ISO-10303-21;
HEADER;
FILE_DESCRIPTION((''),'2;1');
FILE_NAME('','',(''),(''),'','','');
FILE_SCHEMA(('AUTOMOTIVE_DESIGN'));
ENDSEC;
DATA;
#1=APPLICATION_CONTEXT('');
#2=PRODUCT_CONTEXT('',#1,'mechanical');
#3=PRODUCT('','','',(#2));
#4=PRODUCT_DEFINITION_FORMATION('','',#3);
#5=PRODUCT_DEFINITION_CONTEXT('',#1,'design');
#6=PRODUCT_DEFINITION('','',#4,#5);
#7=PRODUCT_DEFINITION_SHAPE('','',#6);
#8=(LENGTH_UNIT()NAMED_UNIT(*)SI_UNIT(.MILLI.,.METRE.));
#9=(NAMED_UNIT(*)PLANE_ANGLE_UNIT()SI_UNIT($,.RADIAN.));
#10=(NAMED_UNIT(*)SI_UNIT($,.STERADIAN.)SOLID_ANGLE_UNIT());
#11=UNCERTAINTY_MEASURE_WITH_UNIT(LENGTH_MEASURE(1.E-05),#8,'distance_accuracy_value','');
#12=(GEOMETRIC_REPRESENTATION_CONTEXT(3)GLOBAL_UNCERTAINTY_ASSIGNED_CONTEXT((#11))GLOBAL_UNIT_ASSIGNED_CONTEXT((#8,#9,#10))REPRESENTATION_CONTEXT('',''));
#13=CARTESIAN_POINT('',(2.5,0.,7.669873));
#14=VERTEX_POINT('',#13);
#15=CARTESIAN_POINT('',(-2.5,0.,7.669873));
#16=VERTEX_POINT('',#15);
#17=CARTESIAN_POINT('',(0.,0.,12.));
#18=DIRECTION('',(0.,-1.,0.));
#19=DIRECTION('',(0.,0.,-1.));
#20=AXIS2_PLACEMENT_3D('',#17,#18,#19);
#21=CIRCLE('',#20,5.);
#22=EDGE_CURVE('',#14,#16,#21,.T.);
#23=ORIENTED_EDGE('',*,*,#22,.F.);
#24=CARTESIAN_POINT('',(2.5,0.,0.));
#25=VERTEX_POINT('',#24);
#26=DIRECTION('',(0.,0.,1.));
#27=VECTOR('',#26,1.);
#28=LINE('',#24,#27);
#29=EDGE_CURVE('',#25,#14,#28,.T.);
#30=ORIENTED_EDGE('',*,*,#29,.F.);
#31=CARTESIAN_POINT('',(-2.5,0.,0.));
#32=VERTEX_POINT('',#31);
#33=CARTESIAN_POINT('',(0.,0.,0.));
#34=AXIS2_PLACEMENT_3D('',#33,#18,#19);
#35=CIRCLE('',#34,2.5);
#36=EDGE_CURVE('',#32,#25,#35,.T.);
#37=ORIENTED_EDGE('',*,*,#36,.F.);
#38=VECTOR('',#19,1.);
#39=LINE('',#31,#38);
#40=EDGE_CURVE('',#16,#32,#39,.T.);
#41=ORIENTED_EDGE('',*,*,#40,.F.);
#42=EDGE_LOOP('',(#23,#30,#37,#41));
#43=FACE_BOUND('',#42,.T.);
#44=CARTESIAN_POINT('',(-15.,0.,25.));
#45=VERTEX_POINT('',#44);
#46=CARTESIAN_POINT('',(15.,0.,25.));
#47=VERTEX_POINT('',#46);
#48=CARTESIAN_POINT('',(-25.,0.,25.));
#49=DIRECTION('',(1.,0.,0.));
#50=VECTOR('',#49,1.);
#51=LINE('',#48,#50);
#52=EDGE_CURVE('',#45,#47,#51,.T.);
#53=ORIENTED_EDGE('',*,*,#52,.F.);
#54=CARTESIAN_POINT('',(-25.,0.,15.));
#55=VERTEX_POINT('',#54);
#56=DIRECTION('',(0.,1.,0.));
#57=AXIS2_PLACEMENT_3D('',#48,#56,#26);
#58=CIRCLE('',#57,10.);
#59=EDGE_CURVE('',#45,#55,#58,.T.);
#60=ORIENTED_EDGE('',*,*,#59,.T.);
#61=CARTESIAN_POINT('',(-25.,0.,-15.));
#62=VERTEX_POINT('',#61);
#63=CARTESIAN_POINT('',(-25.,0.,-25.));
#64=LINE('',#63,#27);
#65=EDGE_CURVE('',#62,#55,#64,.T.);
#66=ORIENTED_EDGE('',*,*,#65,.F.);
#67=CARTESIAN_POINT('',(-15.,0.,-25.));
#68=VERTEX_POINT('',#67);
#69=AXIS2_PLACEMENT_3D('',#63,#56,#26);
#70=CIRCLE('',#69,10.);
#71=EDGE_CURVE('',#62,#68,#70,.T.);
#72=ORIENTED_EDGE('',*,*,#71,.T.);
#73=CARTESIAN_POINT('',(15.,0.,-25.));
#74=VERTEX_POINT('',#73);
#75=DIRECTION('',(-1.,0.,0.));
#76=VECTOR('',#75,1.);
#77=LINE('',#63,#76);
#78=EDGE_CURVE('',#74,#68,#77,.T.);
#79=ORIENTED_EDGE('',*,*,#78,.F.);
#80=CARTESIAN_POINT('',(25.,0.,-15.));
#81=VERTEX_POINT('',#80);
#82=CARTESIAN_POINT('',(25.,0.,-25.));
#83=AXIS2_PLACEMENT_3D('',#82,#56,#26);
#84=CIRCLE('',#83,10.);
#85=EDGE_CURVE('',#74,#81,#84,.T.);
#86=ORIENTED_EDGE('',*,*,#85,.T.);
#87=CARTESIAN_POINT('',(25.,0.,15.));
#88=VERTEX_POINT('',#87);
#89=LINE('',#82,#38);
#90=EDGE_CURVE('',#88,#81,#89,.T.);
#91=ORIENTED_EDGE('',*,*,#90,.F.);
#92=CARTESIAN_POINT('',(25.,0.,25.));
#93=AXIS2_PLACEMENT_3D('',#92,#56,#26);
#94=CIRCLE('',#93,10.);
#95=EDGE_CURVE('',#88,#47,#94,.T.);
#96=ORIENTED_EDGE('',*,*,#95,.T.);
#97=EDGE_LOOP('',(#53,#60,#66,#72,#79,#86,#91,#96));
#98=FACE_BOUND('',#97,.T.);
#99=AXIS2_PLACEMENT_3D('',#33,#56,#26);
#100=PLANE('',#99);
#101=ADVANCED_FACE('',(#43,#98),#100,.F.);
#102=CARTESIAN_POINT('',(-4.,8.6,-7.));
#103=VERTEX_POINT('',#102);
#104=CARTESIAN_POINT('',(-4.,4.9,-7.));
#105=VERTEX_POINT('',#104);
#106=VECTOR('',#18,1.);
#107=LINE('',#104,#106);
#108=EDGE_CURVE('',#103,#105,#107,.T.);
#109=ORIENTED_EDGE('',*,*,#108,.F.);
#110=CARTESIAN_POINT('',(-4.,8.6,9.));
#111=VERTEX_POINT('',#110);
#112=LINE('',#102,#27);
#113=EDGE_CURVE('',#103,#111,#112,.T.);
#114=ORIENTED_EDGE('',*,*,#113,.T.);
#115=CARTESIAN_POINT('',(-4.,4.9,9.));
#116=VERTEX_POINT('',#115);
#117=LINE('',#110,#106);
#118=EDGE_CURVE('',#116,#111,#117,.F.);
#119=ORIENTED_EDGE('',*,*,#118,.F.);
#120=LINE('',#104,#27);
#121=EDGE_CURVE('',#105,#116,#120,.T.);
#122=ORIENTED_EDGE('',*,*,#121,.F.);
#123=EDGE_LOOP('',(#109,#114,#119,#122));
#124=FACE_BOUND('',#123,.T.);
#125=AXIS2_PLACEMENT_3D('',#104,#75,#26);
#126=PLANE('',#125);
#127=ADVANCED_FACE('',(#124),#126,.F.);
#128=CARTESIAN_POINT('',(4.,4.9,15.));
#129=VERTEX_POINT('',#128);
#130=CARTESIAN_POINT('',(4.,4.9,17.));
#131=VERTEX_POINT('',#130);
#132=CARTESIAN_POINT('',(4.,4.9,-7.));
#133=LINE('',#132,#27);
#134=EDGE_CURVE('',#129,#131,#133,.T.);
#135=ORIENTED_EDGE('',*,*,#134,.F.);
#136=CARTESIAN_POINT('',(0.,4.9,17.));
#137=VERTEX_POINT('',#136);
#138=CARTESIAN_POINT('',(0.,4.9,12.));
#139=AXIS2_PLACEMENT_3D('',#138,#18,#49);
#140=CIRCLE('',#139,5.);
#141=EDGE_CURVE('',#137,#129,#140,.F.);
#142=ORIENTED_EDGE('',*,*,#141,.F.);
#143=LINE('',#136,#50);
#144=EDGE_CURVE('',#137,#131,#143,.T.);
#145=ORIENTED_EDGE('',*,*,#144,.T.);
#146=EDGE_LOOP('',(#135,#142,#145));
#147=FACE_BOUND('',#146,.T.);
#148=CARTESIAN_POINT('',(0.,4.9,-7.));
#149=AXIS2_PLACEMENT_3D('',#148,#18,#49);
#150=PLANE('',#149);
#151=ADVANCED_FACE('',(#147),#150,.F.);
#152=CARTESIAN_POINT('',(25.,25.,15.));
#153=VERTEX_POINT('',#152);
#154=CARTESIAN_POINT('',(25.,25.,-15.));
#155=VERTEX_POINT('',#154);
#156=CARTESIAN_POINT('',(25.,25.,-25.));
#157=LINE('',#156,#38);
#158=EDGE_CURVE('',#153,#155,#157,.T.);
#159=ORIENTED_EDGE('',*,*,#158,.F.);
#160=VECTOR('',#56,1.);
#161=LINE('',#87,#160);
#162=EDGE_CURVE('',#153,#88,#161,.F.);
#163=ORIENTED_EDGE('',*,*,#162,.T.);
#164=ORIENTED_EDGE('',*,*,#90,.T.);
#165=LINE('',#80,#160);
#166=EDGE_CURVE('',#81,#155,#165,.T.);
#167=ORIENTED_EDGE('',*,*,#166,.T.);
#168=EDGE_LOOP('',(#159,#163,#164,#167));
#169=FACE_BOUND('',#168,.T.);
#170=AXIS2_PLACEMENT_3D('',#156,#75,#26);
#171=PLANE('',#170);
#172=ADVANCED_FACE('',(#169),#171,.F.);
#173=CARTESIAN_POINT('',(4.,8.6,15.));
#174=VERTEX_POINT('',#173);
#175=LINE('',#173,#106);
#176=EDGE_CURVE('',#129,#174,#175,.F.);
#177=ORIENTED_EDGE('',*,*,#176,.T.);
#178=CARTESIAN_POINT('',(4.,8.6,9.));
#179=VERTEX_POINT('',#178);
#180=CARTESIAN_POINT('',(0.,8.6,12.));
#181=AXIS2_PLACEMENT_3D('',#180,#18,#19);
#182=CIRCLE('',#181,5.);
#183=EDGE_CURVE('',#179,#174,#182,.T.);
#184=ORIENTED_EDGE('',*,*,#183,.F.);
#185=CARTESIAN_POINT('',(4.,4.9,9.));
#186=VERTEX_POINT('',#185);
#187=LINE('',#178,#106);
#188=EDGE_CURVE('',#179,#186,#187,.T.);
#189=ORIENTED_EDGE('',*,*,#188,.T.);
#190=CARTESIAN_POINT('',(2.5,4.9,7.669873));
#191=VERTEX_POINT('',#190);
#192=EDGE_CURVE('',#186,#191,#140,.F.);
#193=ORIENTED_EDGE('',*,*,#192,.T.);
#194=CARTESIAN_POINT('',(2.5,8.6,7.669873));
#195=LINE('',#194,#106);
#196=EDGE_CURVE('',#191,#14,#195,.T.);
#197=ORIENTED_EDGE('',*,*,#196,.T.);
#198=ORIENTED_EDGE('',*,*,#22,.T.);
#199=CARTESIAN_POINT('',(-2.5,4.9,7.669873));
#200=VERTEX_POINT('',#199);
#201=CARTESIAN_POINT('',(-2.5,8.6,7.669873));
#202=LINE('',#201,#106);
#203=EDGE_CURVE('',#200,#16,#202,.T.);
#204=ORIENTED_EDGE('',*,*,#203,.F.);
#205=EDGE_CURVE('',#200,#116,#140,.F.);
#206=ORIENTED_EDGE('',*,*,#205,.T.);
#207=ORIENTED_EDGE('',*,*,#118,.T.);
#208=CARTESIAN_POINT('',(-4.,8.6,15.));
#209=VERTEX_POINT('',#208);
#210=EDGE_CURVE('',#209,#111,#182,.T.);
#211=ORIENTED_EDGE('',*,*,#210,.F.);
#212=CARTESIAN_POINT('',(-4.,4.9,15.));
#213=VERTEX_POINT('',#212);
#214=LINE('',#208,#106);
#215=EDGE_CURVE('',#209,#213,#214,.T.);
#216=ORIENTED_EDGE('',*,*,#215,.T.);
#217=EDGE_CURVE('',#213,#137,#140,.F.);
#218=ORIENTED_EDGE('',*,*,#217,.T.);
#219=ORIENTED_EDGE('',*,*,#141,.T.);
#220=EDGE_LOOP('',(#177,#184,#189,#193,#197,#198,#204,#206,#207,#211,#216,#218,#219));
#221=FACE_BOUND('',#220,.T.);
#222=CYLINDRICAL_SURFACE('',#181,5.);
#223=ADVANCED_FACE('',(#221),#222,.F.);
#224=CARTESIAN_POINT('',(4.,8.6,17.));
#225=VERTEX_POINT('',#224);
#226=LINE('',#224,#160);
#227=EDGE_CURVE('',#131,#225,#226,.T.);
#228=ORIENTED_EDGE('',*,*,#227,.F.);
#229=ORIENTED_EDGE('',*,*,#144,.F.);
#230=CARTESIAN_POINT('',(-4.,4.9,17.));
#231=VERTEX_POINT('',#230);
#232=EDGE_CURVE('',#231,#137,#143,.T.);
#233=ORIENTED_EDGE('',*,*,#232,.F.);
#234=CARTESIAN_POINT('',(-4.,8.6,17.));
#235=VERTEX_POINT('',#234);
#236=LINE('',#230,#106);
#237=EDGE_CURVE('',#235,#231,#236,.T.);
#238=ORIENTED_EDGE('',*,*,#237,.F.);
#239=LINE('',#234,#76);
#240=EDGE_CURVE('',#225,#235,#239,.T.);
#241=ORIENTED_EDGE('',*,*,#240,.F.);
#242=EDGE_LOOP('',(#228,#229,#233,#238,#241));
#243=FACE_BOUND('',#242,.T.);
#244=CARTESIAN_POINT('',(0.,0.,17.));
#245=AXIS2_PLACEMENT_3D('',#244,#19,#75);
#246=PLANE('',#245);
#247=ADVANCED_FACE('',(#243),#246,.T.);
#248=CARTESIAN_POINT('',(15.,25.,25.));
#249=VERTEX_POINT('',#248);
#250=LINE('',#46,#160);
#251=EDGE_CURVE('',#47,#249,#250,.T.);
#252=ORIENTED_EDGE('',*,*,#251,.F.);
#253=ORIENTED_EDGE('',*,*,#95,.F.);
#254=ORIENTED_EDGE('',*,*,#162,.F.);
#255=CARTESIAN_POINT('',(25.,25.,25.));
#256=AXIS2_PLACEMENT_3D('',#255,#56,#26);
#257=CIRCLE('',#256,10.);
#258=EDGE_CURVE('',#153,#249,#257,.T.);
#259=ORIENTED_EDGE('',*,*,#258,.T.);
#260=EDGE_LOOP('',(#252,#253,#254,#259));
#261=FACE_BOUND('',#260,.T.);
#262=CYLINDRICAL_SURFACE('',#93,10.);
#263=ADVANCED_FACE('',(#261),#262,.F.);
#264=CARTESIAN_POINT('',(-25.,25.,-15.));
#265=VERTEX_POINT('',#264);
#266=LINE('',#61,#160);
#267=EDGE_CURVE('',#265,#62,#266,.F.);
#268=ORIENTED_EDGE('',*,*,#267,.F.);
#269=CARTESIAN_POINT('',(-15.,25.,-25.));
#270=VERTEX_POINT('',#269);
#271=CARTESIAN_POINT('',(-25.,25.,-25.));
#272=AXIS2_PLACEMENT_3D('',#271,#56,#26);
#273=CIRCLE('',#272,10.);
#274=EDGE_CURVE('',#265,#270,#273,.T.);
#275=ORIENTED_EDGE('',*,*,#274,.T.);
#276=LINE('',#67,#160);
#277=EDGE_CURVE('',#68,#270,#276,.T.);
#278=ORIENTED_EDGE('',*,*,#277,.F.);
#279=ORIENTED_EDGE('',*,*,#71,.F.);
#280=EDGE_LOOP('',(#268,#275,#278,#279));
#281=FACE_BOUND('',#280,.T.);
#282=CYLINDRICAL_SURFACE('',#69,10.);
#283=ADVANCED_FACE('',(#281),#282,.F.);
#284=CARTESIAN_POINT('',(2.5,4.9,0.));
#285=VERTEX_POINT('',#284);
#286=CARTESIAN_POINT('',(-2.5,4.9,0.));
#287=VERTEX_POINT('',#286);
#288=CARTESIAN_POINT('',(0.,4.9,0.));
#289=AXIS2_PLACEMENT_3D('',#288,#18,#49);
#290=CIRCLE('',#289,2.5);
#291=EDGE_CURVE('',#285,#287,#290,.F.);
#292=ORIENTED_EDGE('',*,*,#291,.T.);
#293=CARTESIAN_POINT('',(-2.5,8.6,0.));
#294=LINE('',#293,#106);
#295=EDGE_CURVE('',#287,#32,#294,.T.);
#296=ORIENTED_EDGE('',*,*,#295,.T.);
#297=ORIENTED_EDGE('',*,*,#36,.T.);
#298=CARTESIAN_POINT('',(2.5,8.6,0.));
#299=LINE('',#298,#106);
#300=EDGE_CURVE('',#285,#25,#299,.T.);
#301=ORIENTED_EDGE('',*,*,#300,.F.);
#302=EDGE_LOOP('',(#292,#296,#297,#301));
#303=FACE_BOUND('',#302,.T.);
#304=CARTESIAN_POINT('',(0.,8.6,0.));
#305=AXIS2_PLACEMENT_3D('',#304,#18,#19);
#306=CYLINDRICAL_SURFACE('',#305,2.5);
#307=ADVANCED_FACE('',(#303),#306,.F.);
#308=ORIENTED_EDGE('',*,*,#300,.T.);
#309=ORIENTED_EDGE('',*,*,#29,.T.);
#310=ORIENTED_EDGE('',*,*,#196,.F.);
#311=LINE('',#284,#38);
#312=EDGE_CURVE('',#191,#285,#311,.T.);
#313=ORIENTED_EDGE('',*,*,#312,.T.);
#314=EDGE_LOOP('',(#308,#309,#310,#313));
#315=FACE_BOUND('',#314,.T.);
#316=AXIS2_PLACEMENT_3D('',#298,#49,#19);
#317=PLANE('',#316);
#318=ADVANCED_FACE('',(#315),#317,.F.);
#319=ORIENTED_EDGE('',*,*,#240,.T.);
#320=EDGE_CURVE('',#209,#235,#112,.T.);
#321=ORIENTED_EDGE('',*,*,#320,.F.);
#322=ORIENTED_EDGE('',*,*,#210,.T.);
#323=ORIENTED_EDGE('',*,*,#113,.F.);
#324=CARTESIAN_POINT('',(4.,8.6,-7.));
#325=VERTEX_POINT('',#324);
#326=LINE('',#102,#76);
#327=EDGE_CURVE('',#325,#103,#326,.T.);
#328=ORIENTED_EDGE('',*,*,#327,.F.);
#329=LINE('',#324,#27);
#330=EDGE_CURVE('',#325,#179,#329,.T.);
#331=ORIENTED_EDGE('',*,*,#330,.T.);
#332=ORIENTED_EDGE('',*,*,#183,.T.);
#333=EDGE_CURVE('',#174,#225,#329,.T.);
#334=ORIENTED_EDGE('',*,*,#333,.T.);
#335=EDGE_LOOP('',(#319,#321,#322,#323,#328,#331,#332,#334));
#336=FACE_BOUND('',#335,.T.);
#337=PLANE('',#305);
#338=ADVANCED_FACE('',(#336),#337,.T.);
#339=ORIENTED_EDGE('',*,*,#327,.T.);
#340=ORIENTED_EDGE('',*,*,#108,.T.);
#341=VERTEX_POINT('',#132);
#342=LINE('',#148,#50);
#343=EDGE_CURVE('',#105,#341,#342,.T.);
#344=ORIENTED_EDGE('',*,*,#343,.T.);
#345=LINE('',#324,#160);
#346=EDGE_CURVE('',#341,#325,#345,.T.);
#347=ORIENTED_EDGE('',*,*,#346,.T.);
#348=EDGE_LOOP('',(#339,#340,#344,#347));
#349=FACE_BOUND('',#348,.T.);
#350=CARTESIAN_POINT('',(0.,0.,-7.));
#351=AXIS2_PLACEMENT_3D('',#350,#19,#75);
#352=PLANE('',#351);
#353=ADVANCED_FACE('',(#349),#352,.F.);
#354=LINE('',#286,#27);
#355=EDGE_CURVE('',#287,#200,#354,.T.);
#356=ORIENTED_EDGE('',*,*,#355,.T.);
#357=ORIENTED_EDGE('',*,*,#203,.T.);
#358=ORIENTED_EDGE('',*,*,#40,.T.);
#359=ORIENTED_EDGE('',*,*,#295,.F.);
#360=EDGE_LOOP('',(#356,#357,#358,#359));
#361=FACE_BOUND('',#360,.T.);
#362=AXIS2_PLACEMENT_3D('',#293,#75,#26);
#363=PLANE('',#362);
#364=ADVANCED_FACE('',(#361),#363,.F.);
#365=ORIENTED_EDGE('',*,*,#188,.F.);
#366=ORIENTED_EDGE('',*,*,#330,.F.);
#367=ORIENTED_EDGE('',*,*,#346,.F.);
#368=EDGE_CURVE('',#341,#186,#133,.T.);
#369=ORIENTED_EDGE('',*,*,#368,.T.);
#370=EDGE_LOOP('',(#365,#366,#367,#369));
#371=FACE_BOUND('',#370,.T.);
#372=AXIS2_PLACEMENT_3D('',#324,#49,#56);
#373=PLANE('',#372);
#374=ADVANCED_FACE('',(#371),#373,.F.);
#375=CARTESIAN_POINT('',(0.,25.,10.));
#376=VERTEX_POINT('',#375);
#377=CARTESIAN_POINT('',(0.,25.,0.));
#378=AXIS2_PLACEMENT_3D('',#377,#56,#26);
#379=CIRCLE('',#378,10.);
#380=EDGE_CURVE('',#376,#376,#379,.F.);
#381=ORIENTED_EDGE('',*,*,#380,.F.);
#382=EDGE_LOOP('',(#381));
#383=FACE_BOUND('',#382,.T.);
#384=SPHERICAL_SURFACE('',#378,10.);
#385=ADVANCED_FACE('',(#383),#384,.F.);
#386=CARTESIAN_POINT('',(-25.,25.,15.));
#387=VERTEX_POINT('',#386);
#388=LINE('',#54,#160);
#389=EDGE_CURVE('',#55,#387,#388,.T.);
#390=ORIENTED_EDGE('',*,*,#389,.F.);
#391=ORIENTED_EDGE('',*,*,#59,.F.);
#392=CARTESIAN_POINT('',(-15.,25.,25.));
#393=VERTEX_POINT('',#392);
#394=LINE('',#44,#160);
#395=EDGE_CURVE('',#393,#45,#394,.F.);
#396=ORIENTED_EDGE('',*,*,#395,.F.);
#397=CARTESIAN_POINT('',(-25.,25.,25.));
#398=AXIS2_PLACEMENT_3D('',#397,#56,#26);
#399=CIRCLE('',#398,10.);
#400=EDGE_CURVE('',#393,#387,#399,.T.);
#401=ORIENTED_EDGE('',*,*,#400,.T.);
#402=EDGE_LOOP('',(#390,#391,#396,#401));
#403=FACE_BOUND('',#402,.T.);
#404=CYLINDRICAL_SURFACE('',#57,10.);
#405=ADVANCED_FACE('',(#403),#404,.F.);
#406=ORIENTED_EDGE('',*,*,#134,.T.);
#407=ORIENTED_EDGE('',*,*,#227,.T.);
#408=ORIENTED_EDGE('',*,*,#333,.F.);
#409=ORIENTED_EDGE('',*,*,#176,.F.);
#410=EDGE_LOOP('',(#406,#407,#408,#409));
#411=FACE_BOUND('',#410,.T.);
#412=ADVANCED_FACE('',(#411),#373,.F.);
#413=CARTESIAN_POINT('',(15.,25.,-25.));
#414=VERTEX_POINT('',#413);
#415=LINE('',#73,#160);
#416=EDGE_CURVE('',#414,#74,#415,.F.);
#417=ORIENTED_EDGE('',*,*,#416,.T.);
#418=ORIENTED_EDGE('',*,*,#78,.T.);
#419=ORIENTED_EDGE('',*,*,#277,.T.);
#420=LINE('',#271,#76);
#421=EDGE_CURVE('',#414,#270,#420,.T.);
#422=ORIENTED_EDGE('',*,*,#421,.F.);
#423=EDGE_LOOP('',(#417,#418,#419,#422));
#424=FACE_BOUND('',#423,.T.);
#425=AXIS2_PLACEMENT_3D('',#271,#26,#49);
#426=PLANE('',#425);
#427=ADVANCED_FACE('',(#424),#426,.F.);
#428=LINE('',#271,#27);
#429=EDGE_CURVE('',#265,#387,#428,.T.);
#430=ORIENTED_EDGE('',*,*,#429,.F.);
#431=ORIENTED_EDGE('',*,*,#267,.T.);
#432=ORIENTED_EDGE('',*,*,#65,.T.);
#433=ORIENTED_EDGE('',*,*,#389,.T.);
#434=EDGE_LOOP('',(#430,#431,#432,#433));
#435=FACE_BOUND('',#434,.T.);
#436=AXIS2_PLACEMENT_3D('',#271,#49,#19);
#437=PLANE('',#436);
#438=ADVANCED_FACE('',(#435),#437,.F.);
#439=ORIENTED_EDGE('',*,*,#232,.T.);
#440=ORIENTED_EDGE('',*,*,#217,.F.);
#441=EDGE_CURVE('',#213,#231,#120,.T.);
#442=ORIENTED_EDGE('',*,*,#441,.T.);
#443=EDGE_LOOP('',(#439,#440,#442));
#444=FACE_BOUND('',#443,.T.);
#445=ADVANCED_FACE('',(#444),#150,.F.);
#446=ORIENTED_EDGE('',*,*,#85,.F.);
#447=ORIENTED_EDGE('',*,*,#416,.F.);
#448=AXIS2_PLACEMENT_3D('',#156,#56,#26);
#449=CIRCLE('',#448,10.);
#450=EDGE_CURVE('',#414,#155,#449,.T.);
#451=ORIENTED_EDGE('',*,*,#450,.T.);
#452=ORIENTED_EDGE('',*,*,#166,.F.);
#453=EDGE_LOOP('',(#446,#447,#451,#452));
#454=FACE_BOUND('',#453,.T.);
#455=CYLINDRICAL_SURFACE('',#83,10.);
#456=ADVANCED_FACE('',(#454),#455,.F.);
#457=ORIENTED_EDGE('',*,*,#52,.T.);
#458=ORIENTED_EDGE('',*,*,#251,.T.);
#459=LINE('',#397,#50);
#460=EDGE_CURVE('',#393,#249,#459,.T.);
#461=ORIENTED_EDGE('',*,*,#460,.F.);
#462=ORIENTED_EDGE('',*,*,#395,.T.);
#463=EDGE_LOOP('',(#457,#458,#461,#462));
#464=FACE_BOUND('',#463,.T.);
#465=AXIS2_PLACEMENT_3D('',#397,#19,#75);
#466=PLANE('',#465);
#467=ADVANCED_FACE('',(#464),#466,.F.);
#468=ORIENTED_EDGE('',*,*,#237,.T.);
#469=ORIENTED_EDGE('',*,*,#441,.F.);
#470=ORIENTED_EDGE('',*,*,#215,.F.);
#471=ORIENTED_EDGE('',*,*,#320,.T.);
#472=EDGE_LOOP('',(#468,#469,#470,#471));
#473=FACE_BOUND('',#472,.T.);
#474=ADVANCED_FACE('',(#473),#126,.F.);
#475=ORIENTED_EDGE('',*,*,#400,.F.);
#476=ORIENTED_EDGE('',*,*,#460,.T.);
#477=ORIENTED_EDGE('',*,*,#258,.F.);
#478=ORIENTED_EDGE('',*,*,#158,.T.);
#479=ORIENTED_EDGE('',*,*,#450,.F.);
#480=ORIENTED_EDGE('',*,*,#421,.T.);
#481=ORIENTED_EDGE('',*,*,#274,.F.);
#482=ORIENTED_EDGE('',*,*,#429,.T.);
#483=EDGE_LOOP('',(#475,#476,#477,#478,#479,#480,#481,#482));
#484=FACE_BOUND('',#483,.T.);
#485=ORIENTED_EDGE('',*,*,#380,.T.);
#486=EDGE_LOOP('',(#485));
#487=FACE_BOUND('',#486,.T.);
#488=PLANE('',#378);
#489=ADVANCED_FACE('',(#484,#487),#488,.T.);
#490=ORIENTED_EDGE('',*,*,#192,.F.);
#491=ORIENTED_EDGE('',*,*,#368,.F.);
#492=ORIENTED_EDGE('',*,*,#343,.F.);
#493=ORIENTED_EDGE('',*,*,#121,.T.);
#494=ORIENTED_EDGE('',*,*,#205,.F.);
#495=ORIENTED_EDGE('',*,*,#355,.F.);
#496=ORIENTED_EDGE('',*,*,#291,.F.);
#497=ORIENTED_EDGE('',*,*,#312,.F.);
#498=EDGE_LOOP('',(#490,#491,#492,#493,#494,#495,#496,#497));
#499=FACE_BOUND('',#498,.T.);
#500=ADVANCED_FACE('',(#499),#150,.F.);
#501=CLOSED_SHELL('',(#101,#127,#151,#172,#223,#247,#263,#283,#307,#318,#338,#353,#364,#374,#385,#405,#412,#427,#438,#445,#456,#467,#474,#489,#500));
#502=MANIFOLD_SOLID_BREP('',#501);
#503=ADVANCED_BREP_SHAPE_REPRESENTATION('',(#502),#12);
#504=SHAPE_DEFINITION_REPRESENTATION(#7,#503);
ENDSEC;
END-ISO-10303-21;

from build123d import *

# Parameters (mm, degrees)
SKETCH1_W           = 50
SKETCH1_H           = 50
BOSS_EXTRUDE1_DEPTH = 25
SKETCH2_R           = 10
CUT_EXTRUDE1_DEPTH  = 25
CUT_EXTRUDE6_DEPTH  = 8.6
CUT_EXTRUDE8_START  = -8
CUT_EXTRUDE8_DEPTH  = 24


with BuildPart() as part:
    # Sketch1 → Boss-Extrude1 (new body)
    with BuildSketch(Plane(origin=(0, 0, 0), x_dir=(1, 0, 0), z_dir=(0, 1, 0))):
        Rectangle(SKETCH1_W, SKETCH1_H)
    extrude(amount=BOSS_EXTRUDE1_DEPTH)

    # Sketch2 → Cut-Extrude1 (cut)
    with BuildSketch(Plane(origin=(0, 25, 0), x_dir=(1, 0, 0), z_dir=(0, 1, 0))):
        with Locations((-25, -25)):
            Circle(SKETCH2_R)
        with Locations((-25, 25)):
            Circle(SKETCH2_R)
        with Locations((25, 25)):
            Circle(SKETCH2_R)
        with Locations((25, -25)):
            Circle(SKETCH2_R)
    extrude(amount=-CUT_EXTRUDE1_DEPTH, mode=Mode.SUBTRACT)

    # Sketch3 → Cut-Revolve1 (revolve, cut)
    with BuildSketch(Plane(origin=(0, 25, 0), x_dir=(1, 0, 0), z_dir=(0, 1, 0))):
        with BuildLine():
            Line((0, 10), (0, -10))
            ThreePointArc((0, -10), (-10, 0), (0, 10))
        make_face()
    revolve(axis=Axis((0, 25, -10), (0, 0, 1)), mode=Mode.SUBTRACT)

    # Sketch4 → Cut-Extrude6 (cut)
    with BuildSketch(Plane(origin=(0, 0, 0), x_dir=(-1, 0, 0), z_dir=(0, -1, 0))):
        with BuildLine():
            ThreePointArc((2.5, 0), (0, 2.5), (-2.5, 0))
            Line((-2.5, 0), (2.5, 0))
        make_face()
        with BuildLine():
            Line((2.5, 0), (-2.5, 0))
            ThreePointArc((-2.5, 0), (0, -2.5), (2.5, 0))
        make_face()
        with BuildLine():
            ThreePointArc((2.5, 0), (0, -2.5), (-2.5, 0))
            Line((-2.5, 0), (-2.5, -7.669872981))
            ThreePointArc((-2.5, -7.669872981), (0, -7), (2.5, -7.669872981))
            Line((2.5, -7.669872981), (2.5, 0))
        make_face()
        with BuildLine():
            ThreePointArc((2.5, -7.669872981), (0, -7), (-2.5, -7.669872981))
            Line((-2.5, -7.669872981), (2.5, -7.669872981))
        make_face()
        with BuildLine():
            Line((2.5, -7.669872981), (-2.5, -7.669872981))
            ThreePointArc((-2.5, -7.669872981), (-2.5, -16.330127019), (5, -12))
            ThreePointArc((5, -12), (4.330127019, -9.5), (2.5, -7.669872981))
        make_face()
    extrude(amount=-CUT_EXTRUDE6_DEPTH, mode=Mode.SUBTRACT)

    # Sketch5 → Cut-Extrude8 (cut)
    with BuildSketch(Plane.XY.offset(25).offset(CUT_EXTRUDE8_START)):
        Polygon((0, 4.9), (-4, 4.9), (-4, 8.6), (4, 8.6), (4, 4.9), align=None)
    extrude(amount=-CUT_EXTRUDE8_DEPTH, mode=Mode.SUBTRACT)


solid = part.part
